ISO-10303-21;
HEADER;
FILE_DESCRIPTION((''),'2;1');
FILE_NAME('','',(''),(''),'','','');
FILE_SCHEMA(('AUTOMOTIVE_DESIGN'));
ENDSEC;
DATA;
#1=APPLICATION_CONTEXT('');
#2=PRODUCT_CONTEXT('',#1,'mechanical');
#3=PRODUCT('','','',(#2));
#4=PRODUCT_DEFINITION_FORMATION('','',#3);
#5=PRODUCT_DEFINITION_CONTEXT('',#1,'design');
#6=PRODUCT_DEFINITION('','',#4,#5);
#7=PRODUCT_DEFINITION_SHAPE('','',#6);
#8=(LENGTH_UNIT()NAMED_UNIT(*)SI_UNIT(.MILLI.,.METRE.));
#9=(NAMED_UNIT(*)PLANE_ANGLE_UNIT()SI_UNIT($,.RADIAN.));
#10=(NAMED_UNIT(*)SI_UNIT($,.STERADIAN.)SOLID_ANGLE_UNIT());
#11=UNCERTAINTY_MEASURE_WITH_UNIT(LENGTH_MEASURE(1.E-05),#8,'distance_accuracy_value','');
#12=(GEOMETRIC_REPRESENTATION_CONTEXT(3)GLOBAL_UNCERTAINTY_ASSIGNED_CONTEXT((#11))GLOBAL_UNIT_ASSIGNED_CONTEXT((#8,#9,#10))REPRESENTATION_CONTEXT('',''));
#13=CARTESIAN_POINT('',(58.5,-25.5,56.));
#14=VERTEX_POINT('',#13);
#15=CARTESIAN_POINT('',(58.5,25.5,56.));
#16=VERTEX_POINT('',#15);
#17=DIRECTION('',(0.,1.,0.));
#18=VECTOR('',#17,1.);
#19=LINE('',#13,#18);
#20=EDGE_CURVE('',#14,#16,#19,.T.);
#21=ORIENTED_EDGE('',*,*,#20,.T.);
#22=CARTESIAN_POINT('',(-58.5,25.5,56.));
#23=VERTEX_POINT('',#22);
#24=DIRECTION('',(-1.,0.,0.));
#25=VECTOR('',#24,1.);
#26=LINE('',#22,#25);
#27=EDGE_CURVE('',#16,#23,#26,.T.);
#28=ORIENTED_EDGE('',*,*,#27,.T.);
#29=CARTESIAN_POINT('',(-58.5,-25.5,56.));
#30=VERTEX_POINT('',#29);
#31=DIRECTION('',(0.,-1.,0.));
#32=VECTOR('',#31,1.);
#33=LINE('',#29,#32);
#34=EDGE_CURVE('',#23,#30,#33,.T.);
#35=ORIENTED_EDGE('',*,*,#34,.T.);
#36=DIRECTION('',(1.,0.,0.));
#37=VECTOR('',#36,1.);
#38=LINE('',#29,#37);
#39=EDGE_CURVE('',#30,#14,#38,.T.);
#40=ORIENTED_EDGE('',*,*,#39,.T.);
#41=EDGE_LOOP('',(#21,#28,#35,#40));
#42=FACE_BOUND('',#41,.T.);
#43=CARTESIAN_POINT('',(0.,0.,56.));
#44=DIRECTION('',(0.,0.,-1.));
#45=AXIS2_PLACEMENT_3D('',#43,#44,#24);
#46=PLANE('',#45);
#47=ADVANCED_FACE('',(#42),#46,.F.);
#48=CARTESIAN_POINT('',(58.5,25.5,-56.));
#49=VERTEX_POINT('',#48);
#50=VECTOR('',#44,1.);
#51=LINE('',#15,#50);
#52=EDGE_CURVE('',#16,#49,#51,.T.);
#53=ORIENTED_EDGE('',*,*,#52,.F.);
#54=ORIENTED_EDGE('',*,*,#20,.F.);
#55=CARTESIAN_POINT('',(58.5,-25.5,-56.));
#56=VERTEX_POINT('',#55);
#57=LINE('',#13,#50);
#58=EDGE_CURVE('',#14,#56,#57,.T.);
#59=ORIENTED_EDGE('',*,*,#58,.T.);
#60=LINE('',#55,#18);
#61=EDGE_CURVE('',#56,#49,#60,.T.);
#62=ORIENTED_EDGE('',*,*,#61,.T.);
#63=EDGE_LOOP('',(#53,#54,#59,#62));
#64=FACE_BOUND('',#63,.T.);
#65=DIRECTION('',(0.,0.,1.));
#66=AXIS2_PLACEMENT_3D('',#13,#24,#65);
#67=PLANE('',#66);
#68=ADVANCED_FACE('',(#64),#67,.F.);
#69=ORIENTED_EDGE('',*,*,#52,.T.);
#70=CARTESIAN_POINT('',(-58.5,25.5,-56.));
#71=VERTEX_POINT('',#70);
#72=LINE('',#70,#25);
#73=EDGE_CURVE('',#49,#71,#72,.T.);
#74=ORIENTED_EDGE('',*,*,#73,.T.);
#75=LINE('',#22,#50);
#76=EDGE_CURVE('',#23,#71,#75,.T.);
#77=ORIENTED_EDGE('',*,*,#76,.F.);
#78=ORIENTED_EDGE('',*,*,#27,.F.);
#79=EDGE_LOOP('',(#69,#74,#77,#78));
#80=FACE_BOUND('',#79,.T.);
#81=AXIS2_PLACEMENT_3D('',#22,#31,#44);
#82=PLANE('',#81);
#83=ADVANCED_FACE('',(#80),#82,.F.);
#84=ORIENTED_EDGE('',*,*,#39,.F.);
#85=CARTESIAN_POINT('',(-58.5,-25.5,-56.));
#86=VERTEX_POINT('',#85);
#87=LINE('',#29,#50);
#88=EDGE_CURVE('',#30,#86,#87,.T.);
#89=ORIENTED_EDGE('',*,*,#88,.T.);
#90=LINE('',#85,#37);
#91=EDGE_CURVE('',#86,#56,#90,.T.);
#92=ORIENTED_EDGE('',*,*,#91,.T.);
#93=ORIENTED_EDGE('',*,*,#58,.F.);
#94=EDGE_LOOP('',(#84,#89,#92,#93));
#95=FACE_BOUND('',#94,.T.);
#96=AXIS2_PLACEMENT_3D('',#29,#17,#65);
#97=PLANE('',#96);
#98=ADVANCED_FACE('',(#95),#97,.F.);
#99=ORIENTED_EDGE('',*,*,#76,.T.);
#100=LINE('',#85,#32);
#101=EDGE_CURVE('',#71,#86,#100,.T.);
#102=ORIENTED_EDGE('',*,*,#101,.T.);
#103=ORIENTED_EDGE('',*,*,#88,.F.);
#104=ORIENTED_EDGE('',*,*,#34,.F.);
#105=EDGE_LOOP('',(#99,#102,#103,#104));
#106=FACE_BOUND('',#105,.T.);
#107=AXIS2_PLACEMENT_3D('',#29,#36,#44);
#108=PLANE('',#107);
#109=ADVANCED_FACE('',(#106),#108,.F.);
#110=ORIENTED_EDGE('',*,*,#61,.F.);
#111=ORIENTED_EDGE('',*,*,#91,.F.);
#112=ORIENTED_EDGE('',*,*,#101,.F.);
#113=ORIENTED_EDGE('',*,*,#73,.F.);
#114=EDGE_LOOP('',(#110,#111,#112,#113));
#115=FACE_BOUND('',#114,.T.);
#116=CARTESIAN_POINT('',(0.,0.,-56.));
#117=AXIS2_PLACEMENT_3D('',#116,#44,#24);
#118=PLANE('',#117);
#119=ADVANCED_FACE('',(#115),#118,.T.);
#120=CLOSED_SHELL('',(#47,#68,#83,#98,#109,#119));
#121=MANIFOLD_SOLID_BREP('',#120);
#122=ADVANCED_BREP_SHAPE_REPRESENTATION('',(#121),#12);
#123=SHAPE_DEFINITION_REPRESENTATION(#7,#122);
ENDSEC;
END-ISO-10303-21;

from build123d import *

# Parameters (mm, degrees)
SKETCH_1_W      = 117
SKETCH_1_H      = 51
EXTRUDE_1_DEPTH = 56


with BuildPart() as part:
    # ｽｹｯﾁ1 → ﾎﾞｽ - 押し出し1 (new, symmetric)
    with BuildSketch(Plane.XY):
        Rectangle(SKETCH_1_W, SKETCH_1_H)
    extrude(amount=EXTRUDE_1_DEPTH, both=True)


solid = part.part
